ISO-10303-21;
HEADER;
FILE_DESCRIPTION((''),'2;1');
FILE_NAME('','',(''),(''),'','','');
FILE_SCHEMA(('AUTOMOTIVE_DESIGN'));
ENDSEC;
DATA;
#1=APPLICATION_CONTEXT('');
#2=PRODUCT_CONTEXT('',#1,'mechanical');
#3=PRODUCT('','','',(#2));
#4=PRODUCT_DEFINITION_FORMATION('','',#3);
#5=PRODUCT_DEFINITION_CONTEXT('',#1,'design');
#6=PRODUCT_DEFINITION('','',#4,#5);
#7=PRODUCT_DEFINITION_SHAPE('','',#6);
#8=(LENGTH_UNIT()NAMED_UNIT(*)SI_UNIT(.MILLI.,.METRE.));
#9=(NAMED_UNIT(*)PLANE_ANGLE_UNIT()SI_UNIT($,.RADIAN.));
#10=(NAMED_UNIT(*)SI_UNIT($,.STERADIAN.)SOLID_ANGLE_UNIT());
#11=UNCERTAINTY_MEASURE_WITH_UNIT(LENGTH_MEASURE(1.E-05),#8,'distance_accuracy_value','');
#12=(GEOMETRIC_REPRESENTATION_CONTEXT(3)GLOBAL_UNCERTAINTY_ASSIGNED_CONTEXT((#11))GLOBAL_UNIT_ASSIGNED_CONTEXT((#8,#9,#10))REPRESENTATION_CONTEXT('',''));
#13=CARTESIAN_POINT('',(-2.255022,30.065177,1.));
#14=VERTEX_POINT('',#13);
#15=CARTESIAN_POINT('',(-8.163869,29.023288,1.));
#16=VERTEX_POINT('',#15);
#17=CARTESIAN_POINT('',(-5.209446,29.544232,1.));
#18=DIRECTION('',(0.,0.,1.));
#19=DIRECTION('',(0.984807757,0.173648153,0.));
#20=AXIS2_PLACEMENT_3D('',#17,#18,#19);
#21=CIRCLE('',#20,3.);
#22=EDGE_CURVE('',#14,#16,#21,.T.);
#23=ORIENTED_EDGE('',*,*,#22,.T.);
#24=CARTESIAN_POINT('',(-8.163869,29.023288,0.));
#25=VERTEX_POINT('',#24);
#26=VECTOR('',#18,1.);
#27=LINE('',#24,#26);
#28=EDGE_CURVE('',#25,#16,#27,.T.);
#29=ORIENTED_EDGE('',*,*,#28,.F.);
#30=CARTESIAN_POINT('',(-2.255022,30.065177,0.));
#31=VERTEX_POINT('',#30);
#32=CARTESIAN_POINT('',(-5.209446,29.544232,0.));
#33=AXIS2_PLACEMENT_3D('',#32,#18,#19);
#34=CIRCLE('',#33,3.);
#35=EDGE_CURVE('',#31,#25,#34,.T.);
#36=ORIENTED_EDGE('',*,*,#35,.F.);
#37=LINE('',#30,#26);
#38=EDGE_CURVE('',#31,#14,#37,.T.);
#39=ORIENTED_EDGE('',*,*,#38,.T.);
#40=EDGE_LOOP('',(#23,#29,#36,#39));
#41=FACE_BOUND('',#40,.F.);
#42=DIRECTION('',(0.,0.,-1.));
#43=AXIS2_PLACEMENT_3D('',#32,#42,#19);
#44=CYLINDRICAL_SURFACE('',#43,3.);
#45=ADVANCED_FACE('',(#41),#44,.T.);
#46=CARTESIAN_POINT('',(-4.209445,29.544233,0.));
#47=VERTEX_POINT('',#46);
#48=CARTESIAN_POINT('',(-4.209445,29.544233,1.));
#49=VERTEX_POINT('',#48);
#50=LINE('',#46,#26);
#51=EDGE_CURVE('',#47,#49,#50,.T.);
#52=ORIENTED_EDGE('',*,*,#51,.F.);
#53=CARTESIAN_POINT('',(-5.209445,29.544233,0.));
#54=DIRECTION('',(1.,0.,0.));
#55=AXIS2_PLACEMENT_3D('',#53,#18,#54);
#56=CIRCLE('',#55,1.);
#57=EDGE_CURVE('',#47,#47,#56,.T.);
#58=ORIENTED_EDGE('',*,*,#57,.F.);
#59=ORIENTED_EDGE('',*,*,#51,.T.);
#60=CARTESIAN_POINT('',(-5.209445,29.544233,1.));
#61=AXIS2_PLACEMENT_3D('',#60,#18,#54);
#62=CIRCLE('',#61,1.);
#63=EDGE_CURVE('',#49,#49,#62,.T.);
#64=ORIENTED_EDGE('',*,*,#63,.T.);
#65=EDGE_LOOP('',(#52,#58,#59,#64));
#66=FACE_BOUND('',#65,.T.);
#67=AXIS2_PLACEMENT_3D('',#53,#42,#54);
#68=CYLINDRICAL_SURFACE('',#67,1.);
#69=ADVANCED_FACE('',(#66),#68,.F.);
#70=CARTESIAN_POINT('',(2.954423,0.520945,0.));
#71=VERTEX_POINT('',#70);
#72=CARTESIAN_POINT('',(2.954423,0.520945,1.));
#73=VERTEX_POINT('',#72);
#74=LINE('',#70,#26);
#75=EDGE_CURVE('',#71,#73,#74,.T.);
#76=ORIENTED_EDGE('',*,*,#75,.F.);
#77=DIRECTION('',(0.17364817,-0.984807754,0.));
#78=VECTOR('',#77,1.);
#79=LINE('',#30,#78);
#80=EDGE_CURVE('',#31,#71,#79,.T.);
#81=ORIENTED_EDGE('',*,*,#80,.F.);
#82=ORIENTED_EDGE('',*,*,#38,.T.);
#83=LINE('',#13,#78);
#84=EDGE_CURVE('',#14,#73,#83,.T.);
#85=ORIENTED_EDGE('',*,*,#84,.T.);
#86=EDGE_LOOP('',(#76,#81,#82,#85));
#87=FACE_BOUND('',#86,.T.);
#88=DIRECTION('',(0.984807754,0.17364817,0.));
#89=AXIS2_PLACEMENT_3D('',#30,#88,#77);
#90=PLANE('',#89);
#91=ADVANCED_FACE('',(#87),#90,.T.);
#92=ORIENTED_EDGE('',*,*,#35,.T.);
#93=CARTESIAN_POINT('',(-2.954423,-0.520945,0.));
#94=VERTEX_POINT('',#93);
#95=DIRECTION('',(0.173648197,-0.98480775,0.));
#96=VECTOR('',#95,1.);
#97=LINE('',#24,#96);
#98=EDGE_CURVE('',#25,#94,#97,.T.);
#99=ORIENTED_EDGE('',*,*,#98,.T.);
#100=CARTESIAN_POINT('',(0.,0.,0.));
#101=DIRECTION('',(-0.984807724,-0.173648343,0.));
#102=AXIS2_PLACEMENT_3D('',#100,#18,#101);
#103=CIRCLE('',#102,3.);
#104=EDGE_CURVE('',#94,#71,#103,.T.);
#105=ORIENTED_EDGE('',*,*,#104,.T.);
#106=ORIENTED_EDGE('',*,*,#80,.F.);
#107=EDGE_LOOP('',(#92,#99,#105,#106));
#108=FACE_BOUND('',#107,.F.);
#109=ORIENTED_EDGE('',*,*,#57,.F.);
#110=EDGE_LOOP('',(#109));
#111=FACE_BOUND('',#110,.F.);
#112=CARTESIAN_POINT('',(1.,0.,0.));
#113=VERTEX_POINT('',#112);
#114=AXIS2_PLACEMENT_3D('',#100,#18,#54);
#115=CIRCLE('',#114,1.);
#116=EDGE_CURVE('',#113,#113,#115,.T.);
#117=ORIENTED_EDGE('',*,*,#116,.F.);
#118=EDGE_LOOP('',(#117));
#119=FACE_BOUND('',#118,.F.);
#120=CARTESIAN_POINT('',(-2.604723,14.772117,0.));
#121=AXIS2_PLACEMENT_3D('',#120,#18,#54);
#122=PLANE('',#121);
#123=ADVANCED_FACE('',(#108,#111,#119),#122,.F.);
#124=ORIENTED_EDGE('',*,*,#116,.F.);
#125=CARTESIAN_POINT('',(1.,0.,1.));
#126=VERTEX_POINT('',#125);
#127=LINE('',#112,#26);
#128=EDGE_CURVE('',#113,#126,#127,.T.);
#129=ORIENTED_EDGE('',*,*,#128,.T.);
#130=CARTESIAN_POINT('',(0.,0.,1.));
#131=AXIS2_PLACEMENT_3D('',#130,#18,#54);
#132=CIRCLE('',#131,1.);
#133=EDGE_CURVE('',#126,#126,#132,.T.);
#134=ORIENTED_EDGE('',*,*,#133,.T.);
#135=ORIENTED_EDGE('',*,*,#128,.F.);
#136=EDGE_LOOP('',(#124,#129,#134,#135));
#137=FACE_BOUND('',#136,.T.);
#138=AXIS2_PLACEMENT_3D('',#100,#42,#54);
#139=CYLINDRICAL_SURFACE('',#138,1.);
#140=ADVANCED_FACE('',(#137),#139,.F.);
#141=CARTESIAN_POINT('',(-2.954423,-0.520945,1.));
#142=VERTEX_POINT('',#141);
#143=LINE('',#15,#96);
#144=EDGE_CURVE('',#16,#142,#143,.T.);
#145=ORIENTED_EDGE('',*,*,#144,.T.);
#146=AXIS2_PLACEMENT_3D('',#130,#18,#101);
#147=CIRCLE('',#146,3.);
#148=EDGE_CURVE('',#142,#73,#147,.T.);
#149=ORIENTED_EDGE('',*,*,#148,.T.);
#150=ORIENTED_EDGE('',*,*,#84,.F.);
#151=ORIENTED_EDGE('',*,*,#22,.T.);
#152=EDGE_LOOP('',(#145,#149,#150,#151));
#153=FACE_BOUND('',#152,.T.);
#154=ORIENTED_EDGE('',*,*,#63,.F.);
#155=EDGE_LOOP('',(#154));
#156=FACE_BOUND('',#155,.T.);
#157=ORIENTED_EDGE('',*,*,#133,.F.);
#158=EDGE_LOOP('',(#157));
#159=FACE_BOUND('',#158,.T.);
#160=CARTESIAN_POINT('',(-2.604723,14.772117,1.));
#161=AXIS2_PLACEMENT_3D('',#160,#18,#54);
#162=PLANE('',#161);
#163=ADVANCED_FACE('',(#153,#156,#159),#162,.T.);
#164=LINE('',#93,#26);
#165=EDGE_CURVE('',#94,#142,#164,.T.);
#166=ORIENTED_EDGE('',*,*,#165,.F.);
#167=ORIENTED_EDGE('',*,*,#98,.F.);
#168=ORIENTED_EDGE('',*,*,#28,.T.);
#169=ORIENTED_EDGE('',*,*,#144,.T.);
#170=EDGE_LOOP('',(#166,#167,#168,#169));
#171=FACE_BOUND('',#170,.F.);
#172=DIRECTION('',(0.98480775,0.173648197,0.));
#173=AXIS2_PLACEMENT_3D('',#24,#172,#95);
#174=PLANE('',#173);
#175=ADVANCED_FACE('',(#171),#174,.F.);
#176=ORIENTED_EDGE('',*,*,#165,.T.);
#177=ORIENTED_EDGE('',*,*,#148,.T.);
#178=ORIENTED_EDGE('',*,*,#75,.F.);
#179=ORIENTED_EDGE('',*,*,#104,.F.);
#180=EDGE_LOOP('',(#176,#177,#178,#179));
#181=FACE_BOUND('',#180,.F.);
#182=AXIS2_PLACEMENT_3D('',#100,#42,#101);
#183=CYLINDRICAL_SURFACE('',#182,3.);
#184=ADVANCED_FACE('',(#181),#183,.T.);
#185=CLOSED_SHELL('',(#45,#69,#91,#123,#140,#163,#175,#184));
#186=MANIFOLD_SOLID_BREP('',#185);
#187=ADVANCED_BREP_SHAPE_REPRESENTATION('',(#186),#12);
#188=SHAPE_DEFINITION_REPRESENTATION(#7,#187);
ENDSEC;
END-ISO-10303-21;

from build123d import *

# Parameters (mm, degrees)
SKETCH_R  = 1
PAD_DEPTH = 1


with BuildPart() as part:
    # Sketch → Pad (new body)
    with BuildSketch(Plane.XY):
        with BuildLine():
            ThreePointArc((-2.255022, 30.065177), (-5.73039, 32.498656), (-8.163869, 29.023288))
            Line((-8.163869, 29.023288), (-2.954423, -0.520945))
            ThreePointArc((-2.954423, -0.520945), (0.520945, -2.954423), (2.954423, 0.520945))
            Line((-2.255022, 30.065177), (2.954423, 0.520945))
        make_face()
        with Locations((-5.209445, 29.544233)):
            Circle(SKETCH_R, mode=Mode.SUBTRACT)
        Circle(SKETCH_R, mode=Mode.SUBTRACT)
    extrude(amount=PAD_DEPTH)


solid = part.part
